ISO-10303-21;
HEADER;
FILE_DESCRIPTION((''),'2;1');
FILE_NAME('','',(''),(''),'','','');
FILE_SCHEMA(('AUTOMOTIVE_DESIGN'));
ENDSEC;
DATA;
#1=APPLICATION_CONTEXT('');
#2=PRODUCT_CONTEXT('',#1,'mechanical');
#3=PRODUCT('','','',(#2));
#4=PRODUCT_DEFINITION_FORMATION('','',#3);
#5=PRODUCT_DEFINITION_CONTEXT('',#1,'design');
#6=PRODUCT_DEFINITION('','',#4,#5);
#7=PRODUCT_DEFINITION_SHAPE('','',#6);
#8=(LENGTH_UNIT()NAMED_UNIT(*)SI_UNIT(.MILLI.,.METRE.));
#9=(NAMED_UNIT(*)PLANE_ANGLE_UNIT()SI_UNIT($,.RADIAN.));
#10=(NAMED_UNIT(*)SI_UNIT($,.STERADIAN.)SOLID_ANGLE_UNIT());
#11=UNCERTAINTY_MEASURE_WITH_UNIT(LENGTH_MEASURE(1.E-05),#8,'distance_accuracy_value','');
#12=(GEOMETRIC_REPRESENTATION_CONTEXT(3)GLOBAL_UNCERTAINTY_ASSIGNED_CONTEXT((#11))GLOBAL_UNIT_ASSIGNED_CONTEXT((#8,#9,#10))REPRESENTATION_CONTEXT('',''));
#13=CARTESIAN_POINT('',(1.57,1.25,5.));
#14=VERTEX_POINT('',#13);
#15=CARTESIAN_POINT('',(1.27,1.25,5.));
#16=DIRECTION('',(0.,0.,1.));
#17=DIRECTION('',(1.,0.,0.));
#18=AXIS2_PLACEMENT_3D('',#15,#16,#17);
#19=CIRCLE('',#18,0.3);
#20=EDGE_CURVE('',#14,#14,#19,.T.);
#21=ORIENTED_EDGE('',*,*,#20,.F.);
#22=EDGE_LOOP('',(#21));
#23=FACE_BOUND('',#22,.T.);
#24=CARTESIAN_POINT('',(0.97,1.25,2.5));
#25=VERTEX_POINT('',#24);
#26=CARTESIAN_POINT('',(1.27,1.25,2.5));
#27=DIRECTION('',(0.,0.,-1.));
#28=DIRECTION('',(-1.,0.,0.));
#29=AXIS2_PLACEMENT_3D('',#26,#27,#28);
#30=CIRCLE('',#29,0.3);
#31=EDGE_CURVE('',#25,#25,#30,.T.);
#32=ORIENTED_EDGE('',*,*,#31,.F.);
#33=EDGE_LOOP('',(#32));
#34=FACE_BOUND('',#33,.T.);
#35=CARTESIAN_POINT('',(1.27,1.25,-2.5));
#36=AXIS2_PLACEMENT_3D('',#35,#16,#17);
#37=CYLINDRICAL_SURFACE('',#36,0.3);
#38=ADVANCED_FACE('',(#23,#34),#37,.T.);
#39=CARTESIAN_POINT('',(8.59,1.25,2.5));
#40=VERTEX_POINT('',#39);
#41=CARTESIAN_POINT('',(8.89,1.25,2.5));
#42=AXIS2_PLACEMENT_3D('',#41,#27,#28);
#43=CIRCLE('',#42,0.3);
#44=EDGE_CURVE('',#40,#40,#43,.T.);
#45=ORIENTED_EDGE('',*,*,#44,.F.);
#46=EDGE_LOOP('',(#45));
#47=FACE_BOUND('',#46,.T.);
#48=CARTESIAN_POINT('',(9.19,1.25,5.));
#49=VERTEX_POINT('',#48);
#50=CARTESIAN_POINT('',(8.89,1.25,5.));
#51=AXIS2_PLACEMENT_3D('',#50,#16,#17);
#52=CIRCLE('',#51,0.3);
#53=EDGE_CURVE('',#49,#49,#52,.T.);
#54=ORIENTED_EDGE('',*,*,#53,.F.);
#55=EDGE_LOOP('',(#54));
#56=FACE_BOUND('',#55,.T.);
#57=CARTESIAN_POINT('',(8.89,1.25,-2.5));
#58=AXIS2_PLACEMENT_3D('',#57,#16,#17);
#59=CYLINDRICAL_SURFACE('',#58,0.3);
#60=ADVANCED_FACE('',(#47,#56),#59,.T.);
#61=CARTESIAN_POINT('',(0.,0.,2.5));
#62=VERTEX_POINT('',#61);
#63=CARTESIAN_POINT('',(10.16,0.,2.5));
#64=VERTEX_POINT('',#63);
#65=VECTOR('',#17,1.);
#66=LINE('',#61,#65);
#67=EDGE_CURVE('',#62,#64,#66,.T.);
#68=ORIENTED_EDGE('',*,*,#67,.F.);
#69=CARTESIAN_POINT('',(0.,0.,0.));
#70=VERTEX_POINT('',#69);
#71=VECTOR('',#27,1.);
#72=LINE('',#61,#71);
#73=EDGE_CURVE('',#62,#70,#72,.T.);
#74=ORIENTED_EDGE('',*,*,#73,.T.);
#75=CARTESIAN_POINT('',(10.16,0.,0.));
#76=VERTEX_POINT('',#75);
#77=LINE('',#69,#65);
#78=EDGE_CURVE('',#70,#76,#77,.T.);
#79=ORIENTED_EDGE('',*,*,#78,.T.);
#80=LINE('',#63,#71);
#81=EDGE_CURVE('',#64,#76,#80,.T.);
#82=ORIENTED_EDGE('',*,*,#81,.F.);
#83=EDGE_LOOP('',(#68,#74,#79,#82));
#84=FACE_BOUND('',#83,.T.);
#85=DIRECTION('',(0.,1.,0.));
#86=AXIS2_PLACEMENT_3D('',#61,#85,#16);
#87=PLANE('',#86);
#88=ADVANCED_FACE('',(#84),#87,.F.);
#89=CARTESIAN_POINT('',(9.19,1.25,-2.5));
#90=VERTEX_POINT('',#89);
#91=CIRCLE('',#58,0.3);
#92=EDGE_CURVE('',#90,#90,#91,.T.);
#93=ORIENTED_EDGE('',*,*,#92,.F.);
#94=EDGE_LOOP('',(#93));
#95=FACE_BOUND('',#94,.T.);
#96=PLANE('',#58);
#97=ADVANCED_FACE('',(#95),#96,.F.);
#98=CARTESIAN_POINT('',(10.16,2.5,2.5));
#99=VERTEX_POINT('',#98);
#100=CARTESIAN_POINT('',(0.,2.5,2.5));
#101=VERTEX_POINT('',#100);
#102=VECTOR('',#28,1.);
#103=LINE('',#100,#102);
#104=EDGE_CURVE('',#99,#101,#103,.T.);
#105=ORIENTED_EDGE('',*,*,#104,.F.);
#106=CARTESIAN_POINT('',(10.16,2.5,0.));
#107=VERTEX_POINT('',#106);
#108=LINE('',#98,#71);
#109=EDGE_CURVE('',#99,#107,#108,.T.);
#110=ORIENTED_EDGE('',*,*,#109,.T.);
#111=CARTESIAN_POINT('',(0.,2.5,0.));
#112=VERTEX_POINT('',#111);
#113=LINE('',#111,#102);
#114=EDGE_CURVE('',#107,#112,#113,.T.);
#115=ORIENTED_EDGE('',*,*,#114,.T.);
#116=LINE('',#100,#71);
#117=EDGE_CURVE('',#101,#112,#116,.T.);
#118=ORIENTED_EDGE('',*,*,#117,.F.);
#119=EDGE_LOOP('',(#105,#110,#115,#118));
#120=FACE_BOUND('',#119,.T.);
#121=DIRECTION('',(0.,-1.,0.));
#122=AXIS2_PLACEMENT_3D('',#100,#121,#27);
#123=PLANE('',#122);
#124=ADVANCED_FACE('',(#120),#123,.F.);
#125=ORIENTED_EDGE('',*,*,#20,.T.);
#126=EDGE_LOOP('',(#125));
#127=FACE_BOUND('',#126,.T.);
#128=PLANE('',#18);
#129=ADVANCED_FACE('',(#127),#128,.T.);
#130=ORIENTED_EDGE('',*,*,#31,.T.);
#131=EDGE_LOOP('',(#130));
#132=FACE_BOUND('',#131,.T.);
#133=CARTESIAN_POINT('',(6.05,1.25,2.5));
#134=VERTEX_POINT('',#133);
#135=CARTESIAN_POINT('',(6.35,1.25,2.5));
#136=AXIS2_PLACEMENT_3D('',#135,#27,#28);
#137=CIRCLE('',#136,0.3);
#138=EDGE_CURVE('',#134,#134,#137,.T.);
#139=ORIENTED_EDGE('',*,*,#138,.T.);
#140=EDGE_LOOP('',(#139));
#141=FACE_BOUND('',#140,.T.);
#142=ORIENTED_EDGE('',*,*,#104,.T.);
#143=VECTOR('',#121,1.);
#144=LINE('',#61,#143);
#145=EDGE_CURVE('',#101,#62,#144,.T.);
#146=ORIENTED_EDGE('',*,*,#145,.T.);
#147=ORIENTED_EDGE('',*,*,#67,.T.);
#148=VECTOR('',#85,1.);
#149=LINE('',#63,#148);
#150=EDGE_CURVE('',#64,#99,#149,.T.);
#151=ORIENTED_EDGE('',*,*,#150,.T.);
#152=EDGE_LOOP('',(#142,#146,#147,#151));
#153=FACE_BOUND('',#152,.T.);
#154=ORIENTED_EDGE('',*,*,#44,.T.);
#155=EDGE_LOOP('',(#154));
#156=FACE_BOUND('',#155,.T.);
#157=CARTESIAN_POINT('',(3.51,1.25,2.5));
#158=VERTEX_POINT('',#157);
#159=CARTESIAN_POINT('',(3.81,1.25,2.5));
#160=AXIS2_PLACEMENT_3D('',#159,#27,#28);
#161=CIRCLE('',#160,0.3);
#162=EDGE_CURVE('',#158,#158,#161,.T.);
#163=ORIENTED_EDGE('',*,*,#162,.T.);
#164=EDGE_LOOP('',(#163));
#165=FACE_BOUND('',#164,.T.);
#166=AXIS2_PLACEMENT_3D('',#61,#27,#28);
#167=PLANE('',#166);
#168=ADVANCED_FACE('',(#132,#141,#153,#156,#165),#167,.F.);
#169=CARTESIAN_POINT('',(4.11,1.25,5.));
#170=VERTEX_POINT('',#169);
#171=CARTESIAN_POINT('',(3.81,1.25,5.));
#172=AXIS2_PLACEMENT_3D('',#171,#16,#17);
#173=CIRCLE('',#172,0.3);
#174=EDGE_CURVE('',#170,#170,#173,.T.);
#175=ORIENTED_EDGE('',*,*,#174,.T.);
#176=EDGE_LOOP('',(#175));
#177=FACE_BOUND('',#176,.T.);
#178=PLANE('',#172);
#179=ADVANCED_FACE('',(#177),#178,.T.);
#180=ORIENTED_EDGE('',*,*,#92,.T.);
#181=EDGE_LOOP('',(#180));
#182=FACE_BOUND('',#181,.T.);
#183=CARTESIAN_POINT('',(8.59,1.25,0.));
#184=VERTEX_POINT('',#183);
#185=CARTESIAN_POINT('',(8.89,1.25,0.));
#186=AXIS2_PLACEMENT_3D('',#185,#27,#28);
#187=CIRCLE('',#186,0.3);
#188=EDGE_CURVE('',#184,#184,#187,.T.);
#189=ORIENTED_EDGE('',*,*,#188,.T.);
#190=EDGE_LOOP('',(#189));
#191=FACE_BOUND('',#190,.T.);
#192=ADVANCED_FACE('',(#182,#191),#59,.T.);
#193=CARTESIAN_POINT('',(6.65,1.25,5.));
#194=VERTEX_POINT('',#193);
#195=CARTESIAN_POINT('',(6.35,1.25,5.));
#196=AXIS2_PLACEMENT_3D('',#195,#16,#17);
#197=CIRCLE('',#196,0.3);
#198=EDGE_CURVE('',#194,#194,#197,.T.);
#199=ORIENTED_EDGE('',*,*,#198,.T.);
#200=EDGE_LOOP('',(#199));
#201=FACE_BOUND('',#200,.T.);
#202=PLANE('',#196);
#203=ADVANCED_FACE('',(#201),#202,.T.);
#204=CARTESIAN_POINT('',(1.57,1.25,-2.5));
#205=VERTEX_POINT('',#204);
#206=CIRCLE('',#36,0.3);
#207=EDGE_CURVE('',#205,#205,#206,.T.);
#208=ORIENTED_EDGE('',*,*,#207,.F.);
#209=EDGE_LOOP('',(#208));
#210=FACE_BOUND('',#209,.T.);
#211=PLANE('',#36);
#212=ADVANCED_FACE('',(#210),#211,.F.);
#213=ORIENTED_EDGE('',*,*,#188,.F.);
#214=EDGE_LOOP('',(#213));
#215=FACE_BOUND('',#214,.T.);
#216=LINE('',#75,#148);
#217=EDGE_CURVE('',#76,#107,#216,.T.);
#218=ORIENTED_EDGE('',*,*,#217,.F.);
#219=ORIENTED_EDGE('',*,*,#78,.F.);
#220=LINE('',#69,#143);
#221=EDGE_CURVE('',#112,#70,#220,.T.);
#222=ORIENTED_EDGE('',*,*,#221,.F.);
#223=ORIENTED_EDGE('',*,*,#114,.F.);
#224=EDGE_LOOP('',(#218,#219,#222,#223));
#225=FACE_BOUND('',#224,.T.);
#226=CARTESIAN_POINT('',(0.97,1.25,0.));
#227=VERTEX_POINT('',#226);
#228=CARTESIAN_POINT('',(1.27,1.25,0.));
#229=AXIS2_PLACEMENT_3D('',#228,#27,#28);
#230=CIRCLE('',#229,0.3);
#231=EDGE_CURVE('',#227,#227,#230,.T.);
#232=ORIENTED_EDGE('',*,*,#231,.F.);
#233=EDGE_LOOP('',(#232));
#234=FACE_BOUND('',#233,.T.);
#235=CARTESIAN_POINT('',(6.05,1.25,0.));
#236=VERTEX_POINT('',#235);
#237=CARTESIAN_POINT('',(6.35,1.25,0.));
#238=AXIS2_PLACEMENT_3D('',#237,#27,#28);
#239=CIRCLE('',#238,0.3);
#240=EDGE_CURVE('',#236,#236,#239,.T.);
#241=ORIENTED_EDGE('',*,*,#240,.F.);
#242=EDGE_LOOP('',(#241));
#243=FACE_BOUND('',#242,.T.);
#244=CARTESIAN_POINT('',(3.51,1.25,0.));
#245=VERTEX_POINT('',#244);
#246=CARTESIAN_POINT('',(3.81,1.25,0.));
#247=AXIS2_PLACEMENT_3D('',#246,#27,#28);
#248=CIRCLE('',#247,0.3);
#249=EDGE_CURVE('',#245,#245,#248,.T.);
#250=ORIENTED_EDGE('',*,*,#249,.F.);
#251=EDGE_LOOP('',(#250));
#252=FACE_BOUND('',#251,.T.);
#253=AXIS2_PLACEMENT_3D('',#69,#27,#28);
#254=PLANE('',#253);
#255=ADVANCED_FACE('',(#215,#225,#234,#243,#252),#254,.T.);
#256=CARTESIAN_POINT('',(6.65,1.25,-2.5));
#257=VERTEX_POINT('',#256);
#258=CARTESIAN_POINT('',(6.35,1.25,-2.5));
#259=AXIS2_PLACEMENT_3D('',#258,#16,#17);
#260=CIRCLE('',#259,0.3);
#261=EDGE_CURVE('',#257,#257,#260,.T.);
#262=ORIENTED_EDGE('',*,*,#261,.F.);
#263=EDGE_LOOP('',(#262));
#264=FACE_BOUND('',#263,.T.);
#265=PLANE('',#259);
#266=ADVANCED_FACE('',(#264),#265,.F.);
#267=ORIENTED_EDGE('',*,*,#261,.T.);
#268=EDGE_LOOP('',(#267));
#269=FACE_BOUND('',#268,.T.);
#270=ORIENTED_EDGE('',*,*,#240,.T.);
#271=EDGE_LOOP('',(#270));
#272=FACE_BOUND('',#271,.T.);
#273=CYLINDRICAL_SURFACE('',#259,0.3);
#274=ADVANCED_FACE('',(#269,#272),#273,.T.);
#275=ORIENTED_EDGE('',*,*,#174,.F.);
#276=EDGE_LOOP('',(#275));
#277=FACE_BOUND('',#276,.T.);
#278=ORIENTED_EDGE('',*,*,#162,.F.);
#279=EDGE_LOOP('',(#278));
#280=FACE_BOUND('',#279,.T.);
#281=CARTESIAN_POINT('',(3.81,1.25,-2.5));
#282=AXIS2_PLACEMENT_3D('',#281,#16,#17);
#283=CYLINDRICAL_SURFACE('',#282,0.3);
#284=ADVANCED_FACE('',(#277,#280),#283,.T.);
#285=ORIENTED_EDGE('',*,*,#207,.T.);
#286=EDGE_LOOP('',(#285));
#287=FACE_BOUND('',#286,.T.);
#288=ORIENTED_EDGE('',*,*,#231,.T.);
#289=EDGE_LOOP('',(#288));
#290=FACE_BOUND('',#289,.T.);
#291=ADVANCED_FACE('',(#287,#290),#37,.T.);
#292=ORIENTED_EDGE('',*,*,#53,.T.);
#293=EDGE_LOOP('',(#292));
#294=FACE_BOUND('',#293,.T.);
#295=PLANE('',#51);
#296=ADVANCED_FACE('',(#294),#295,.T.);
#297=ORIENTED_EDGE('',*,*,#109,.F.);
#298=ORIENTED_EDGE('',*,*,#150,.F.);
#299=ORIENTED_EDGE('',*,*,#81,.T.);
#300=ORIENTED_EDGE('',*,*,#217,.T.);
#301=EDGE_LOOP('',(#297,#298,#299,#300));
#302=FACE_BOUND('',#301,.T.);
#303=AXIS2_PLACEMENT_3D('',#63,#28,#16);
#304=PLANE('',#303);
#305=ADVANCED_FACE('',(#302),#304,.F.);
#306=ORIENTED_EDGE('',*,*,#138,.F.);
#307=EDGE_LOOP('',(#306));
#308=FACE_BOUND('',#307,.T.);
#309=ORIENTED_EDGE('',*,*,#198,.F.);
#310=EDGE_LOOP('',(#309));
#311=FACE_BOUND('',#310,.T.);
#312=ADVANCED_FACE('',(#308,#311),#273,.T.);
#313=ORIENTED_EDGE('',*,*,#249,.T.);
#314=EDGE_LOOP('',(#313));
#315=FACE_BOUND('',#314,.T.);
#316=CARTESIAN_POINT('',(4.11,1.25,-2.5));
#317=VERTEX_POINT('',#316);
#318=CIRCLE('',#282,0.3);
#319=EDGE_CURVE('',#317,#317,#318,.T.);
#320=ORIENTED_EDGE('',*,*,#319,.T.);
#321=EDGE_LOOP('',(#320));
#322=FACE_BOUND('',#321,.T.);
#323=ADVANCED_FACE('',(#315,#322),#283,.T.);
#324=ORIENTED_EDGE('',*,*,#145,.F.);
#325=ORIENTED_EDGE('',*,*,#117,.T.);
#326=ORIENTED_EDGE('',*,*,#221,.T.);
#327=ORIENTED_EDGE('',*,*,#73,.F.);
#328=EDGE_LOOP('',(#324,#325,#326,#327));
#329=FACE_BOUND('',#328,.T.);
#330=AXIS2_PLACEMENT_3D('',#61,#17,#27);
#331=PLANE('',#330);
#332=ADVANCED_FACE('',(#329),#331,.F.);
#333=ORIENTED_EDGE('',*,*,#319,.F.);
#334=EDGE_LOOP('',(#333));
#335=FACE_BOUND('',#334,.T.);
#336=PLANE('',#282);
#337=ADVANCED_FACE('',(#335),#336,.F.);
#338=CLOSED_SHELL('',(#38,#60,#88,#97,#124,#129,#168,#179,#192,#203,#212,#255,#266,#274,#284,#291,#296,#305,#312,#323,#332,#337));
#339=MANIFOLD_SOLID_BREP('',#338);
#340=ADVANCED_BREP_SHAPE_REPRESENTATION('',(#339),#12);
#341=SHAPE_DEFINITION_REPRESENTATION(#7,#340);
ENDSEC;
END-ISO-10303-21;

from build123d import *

# Parameters (mm, degrees)
SKETCH_1_W                 = 10.16
SKETCH_1_H                 = 2.5
EXTRUDE_1_DEPTH            = 2.5
EXTRUDE_START              = -5
SKETCH_2_R                 = 0.3
EXTRUDE_2_DEPTH            = 7.5
PATTERN_LINEAR_1_COUNT     = 3
PATTERN_LINEAR_1_PITCH     = 2.54
PATTERN_LINEAR_1_COL_COUNT = 2
PATTERN_LINEAR_1_COL_PITCH = 2.54


with BuildPart() as part:
    # 草图1 → 凸台-拉伸1 (new body)
    with BuildSketch(Plane.XY):
        with Locations((5.08, 1.25)):
            Rectangle(SKETCH_1_W, SKETCH_1_H)
    extrude(amount=EXTRUDE_1_DEPTH)

    # 草图2 → 凸台-拉伸2 (add)
    with BuildSketch(Plane.XY.offset(2.5).offset(EXTRUDE_START)):
        with Locations((3.81, 1.25)):
            Circle(SKETCH_2_R)
    extrude_2 = extrude(amount=EXTRUDE_2_DEPTH)

    # 阵列(线性)1: 凸台-拉伸2 ×3
    with Locations(*[(i * PATTERN_LINEAR_1_PITCH, 0, 0) for i in range(1, PATTERN_LINEAR_1_COUNT)]):
        add(extrude_2)

    # 阵列(线性)1 col: 凸台-拉伸2 ×2
    with Locations(*[(-i * PATTERN_LINEAR_1_COL_PITCH, 0, 0) for i in range(1, PATTERN_LINEAR_1_COL_COUNT)]):
        add(extrude_2)


solid = part.part
